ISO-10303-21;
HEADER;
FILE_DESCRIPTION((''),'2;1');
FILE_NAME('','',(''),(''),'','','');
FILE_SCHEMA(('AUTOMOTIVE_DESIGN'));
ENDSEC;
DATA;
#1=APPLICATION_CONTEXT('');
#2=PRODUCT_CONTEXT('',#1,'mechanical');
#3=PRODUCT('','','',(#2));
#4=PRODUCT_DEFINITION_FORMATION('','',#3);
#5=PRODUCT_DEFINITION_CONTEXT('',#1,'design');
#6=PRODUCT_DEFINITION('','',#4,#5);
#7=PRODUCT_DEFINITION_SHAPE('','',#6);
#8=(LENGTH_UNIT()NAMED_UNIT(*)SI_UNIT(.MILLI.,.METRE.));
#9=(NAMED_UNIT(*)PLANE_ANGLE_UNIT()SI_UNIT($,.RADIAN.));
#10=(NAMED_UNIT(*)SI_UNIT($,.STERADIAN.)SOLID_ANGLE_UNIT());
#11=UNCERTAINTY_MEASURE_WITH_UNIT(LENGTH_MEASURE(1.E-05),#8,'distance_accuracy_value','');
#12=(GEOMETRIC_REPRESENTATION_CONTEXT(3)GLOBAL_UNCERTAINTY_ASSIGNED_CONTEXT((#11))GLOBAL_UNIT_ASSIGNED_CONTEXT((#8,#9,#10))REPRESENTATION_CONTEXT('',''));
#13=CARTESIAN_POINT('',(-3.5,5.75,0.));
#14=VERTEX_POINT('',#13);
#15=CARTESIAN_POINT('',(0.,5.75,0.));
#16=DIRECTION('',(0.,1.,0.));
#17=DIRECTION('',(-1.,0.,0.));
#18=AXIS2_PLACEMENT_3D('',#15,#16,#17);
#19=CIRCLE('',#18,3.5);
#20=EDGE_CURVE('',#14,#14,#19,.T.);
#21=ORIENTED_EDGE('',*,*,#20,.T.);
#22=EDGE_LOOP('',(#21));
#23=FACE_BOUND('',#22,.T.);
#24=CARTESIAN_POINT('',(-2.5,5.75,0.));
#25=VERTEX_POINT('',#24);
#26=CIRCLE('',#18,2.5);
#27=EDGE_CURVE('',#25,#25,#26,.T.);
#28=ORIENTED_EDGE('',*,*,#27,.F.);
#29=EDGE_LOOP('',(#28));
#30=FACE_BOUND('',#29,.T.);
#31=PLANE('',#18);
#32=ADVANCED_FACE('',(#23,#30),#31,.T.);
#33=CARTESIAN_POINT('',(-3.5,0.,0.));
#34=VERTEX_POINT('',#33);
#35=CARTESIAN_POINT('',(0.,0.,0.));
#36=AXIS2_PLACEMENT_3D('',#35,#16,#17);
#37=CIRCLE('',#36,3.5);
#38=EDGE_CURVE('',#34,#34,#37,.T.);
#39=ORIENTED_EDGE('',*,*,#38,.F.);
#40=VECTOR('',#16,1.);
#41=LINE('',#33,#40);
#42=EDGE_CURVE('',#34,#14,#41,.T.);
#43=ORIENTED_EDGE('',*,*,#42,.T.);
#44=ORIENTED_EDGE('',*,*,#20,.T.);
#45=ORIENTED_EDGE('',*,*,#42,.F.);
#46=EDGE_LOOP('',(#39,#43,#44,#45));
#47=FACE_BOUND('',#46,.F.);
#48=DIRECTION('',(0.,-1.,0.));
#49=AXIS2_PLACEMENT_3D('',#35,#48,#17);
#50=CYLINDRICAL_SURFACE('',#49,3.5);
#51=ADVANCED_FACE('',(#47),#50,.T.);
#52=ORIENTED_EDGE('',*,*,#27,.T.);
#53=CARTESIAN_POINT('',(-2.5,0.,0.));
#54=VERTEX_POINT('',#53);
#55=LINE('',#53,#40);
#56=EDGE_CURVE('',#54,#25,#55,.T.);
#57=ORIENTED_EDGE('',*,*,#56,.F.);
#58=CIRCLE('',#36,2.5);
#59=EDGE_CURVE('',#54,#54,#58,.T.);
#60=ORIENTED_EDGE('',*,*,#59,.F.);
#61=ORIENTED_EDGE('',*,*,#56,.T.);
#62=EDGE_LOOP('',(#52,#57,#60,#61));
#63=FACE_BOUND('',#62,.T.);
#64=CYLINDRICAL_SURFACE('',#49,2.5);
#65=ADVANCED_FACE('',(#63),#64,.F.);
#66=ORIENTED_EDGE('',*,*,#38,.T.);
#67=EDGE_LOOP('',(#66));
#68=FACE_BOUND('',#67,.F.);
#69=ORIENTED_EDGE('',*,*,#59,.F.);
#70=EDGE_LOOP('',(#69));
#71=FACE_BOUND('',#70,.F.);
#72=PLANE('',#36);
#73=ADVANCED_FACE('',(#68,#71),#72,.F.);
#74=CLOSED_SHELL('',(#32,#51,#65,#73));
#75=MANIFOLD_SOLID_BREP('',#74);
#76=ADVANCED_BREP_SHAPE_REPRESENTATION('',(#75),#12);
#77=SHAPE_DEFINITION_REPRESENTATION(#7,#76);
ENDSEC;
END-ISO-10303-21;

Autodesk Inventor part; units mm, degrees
ref_plane "YZ Plane" through (0, 0, 0) normal (1, 0, 0) x (0, 1, 0)
ref_plane "XZ Plane" through (0, 0, 0) normal (0, 1, 0) x (-1, 0, 0)
ref_plane "XY Plane" through (0, 0, 0) normal (0, 0, 1) x (1, 0, 0)
sketch "Sketch1" plane through (0, 0, 0) normal (0, 1, 0) x (-1, 0, 0)
  circle A0 centre (0, 0) radius 3.5
  circle A1 centre (0, 0) radius 2.5
  dimension "d0" = 7
  dimension "d1" = 1
extrude "Extrusion1" add sketch "Sketch1" along normal blind 5.75
properties part number "Pulley-Extrusion Spacer"
